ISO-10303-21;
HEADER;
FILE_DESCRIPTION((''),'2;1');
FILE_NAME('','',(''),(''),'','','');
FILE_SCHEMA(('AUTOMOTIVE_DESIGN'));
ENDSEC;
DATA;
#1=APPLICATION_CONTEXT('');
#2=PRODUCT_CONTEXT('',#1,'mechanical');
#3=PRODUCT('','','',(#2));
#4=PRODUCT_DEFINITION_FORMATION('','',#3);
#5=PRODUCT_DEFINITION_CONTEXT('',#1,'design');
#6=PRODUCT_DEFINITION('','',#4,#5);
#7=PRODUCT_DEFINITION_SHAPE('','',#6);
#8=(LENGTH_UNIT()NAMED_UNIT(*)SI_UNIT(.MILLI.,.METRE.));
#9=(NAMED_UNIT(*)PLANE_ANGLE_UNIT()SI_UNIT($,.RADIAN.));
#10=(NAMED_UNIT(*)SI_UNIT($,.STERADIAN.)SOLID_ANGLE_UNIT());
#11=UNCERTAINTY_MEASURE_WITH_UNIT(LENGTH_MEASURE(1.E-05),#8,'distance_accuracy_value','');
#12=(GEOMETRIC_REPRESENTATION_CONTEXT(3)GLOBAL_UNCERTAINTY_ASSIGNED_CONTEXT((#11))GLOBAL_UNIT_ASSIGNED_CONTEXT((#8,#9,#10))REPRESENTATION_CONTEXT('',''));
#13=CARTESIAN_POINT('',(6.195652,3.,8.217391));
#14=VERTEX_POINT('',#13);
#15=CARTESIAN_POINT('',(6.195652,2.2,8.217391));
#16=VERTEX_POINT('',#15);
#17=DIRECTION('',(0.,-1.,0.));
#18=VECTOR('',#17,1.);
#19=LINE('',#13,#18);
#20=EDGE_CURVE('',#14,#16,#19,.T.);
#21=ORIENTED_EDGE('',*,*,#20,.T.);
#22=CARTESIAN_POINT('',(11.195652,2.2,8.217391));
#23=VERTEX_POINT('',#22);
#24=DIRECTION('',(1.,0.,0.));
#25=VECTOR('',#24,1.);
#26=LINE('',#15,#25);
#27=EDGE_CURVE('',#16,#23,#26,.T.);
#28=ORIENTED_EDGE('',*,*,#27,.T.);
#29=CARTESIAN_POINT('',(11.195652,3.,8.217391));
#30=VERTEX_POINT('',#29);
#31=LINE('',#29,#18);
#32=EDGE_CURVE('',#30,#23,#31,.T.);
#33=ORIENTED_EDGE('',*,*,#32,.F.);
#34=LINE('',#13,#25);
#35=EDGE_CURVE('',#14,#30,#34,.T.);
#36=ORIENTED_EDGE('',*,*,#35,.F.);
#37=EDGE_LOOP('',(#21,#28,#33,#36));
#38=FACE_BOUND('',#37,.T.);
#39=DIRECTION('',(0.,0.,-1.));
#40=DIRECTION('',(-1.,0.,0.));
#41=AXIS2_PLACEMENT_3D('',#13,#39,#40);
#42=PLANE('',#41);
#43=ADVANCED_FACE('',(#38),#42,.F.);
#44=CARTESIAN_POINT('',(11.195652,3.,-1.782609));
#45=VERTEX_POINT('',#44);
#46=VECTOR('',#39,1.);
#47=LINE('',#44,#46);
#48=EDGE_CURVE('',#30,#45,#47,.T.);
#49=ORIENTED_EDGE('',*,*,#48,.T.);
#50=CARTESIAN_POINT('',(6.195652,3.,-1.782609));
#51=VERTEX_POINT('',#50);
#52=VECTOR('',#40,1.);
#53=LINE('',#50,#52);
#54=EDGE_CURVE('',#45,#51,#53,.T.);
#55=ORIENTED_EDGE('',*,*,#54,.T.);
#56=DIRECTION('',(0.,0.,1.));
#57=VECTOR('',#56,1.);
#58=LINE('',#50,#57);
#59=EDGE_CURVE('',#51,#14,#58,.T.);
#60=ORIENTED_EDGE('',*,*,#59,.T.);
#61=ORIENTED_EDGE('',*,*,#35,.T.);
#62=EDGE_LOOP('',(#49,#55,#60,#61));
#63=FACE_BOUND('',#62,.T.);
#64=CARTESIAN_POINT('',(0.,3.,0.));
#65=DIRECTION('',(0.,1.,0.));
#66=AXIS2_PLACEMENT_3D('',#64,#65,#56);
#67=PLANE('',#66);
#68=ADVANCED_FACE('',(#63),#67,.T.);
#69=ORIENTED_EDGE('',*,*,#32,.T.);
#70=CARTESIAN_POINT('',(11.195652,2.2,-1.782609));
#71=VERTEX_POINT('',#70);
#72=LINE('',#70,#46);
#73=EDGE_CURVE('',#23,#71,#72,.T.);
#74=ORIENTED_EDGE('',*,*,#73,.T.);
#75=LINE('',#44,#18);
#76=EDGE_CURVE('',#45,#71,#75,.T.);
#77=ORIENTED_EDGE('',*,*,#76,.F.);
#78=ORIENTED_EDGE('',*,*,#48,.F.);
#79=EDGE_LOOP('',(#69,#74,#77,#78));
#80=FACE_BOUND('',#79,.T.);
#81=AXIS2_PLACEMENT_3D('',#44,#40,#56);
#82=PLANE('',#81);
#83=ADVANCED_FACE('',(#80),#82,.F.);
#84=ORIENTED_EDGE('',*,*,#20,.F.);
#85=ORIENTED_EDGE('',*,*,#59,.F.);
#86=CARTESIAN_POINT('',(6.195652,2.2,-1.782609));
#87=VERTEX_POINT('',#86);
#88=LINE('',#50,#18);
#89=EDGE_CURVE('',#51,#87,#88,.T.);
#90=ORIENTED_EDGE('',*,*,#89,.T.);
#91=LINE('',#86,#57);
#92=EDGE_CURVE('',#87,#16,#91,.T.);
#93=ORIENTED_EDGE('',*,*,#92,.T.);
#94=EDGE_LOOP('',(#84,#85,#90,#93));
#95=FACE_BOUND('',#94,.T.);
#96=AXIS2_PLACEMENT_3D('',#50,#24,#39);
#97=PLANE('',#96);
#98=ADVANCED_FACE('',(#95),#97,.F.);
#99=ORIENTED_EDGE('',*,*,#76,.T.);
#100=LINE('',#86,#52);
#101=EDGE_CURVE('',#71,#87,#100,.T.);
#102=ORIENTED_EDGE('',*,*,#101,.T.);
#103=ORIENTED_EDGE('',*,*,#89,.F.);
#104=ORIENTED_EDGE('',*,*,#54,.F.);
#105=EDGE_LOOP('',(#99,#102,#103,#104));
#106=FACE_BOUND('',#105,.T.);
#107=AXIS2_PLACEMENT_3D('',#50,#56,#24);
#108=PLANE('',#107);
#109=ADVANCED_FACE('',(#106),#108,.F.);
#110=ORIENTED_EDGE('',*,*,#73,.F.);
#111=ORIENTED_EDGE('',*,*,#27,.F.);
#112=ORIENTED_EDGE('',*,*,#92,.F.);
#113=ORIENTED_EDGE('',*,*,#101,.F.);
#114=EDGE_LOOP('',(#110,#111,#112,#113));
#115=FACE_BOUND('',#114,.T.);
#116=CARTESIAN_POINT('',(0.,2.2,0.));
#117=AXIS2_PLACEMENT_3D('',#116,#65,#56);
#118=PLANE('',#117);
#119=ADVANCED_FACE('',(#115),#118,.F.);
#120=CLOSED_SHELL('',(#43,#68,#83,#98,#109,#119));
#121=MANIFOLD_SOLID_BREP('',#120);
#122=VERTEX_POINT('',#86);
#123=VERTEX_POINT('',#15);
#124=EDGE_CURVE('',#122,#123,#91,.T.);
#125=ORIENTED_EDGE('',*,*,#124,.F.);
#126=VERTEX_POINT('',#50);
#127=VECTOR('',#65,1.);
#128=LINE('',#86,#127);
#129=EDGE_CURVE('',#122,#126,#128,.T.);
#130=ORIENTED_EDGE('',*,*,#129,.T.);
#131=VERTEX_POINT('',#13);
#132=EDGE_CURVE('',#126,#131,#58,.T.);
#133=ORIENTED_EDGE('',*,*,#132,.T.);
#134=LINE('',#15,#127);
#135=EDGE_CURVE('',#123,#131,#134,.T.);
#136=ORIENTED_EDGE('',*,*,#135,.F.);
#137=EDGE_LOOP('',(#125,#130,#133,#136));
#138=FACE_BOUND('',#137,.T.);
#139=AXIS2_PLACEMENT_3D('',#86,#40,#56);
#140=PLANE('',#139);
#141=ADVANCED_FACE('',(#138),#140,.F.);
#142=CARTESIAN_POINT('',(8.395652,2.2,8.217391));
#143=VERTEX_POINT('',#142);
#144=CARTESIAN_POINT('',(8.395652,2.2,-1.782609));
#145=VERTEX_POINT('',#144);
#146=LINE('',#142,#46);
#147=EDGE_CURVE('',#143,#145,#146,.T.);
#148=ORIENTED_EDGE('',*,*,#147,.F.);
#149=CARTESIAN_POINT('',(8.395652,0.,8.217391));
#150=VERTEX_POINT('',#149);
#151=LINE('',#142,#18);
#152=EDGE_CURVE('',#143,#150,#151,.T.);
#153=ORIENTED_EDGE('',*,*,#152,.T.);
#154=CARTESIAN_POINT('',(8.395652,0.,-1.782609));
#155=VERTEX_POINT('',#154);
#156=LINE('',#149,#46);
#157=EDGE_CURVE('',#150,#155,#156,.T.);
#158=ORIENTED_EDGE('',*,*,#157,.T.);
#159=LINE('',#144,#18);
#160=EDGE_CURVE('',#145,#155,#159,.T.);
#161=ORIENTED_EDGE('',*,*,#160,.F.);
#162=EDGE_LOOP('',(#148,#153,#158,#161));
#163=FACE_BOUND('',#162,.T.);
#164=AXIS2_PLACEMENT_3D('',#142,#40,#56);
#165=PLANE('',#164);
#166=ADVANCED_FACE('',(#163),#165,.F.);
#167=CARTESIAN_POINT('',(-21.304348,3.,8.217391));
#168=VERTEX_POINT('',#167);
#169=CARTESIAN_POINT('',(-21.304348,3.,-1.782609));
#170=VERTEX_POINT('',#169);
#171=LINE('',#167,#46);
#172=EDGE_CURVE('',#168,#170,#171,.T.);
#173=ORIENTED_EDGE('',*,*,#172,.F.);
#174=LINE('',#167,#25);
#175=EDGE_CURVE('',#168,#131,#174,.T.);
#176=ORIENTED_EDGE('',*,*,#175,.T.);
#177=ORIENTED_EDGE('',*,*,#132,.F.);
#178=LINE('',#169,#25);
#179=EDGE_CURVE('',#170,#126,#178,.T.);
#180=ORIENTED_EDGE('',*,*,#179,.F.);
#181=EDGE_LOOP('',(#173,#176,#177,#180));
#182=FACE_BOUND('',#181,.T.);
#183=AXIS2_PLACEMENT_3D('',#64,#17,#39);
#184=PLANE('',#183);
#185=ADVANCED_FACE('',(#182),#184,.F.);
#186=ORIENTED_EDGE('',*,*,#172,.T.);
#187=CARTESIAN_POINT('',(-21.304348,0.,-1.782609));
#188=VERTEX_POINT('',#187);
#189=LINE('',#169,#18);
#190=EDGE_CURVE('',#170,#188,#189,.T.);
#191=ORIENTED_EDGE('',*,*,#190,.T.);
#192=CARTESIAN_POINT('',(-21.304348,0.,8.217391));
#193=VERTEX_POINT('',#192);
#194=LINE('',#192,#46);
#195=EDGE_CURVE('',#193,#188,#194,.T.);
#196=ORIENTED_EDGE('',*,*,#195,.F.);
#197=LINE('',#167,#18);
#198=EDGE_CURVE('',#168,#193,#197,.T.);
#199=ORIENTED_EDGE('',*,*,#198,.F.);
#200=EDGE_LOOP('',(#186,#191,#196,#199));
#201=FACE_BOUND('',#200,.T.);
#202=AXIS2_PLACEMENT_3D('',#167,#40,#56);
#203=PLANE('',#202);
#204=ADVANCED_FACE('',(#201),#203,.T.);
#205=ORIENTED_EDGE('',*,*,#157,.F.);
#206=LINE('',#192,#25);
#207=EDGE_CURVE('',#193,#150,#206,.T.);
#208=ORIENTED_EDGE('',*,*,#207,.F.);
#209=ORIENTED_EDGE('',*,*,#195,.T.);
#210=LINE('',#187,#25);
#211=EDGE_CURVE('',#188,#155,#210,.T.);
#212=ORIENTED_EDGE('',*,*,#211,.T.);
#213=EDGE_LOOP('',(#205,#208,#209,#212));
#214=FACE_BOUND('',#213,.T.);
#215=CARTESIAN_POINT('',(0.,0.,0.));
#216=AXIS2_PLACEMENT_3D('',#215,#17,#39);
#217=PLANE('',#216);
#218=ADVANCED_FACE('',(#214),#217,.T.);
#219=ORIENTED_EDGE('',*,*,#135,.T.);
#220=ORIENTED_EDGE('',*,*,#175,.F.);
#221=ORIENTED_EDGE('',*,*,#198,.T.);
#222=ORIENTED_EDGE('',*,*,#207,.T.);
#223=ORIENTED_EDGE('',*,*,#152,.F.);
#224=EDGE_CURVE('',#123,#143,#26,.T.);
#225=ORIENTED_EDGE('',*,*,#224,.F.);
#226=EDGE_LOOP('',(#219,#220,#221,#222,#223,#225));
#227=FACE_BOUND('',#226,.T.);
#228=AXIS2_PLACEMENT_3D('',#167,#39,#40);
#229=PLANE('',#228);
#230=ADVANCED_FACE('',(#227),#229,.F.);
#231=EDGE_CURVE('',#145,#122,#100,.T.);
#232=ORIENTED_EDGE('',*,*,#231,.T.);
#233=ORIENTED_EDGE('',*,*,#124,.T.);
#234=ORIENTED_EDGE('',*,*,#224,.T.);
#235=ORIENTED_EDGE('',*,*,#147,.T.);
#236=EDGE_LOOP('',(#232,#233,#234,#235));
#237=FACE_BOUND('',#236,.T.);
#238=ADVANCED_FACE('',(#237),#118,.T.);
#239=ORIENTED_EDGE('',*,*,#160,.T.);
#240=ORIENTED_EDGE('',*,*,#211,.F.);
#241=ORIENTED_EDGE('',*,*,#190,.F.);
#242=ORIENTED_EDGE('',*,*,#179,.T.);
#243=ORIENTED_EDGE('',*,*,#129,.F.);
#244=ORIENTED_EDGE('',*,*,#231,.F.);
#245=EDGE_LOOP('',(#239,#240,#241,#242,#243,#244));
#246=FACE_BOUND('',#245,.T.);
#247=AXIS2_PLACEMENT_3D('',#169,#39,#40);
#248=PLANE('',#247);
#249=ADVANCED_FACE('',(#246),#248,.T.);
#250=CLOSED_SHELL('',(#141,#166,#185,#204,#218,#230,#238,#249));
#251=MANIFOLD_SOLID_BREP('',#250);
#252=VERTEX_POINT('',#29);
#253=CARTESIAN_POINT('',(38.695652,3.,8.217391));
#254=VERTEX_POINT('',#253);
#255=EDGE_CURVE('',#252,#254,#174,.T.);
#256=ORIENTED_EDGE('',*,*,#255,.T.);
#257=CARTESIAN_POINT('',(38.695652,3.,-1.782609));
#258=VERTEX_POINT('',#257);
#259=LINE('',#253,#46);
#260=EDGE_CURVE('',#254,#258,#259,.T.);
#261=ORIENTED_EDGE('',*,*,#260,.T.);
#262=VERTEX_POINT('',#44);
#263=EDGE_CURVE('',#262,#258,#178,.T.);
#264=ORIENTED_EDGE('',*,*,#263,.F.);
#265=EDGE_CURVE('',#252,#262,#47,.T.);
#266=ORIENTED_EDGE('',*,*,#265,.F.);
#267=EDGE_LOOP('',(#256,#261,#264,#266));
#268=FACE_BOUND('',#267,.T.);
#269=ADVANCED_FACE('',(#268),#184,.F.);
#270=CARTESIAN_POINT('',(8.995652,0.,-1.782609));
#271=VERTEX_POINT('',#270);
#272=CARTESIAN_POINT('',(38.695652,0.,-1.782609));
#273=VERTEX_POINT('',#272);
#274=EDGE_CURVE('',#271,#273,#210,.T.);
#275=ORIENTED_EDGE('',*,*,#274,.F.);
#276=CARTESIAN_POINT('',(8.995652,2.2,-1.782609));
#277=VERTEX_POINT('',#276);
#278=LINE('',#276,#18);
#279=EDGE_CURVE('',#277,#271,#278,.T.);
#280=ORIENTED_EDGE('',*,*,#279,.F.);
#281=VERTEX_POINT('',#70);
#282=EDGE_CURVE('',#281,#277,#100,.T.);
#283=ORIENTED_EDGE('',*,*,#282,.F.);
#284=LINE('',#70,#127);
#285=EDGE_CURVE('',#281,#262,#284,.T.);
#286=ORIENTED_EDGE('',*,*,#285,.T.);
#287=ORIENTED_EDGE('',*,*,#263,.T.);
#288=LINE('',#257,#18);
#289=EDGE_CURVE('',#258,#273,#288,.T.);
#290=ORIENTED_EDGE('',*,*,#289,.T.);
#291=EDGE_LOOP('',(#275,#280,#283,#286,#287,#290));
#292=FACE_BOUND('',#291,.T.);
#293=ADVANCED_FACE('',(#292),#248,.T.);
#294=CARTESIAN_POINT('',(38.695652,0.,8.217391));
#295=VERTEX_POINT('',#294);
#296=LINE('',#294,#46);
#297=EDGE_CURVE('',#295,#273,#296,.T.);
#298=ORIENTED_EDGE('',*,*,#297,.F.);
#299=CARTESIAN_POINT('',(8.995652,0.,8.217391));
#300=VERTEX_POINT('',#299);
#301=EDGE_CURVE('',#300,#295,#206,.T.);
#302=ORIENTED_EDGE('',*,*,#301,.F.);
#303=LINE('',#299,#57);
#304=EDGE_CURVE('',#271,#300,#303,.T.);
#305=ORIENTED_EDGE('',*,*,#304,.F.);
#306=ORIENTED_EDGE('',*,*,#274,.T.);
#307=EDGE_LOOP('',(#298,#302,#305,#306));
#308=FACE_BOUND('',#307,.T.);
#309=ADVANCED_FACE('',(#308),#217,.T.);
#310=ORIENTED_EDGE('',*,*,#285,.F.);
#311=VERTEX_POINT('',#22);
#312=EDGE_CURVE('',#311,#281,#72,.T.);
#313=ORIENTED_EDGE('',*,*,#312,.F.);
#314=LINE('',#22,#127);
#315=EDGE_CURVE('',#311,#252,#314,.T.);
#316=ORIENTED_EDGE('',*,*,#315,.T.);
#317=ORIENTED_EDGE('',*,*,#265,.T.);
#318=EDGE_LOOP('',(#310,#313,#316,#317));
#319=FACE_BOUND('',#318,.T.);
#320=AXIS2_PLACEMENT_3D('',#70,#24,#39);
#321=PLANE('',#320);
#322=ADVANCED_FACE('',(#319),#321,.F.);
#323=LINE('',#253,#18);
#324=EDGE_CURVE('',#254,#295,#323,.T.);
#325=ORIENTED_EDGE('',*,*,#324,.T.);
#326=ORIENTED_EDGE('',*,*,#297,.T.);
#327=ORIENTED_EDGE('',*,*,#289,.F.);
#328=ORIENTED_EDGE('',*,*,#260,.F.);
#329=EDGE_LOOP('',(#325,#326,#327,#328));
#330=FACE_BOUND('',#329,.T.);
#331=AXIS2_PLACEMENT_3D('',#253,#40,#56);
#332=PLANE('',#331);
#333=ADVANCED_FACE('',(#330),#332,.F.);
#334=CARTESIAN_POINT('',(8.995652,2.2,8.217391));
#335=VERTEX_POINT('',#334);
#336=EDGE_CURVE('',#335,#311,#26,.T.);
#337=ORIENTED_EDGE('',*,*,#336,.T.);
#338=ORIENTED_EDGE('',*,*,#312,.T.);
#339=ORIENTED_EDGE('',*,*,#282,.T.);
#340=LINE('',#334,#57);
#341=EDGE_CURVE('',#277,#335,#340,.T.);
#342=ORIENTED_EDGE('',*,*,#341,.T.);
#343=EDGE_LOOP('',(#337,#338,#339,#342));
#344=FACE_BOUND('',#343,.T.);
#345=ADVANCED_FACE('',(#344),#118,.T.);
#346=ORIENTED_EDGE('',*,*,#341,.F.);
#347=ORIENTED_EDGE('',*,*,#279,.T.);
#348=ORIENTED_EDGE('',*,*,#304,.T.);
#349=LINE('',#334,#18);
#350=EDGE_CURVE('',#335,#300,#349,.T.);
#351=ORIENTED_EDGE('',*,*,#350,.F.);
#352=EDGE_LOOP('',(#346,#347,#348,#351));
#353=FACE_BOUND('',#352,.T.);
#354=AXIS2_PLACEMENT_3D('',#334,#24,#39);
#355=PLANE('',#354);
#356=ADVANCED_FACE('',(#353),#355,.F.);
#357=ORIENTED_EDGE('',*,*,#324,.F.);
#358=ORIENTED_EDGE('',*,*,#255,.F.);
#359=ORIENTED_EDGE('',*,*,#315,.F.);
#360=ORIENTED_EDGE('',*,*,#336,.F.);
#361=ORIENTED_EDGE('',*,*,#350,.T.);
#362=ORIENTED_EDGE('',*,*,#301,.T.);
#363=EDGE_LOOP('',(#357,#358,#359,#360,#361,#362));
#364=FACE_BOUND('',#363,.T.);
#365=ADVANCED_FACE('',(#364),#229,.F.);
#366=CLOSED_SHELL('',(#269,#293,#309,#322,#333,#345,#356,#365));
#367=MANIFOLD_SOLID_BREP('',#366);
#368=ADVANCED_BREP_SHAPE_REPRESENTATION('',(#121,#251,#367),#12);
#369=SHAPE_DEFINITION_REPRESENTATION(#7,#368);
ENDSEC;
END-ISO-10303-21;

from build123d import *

# Parameters (mm, degrees)
SKETCH1_W           = 60
SKETCH1_H           = 10
BOSS_EXTRUDE1_DEPTH = 3
SKETCH3_W           = 0.6
SKETCH3_H           = 10
CUT_EXTRUDE1_DEPTH  = 2.2
SKETCH4_W           = 5
SKETCH4_H           = 10
CUT_EXTRUDE2_DEPTH  = 0.8
SKETCH5_W           = 5
SKETCH5_H           = 10
BOSS_EXTRUDE2_DEPTH = 0.8


with BuildPart() as part:
    # Sketch1 → Boss-Extrude1 (new body)
    with BuildSketch(Plane(origin=(0, 0, 0), x_dir=(1, 0, 0), z_dir=(0, 1, 0))):
        with Locations((8.695652174, -3.217391304)):
            Rectangle(SKETCH1_W, SKETCH1_H)
    extrude(amount=BOSS_EXTRUDE1_DEPTH)

    # Sketch3 → Cut-Extrude1 (cut)
    with BuildSketch(Plane.XZ):
        with Locations((8.695652174, 3.217391304)):
            Rectangle(SKETCH3_W, SKETCH3_H)
    extrude(amount=-CUT_EXTRUDE1_DEPTH, mode=Mode.SUBTRACT)

    # Sketch4 → Cut-Extrude2 (cut)
    with BuildSketch(Plane(origin=(0, 3, 0), x_dir=(1, 0, 0), z_dir=(0, 1, 0))):
        with Locations((8.695652174, -3.217391304)):
            Rectangle(SKETCH4_W, SKETCH4_H)
    extrude(amount=-CUT_EXTRUDE2_DEPTH, mode=Mode.SUBTRACT)


with BuildPart() as cut_extrude2_piece_1:
    # of the separate pieces the step leaves, piece 1, a body of its own (cut_extrude2_pieces)
    add(part.part.solids().sort_by_distance((-21.304347826, 0, 8.217391304))[0])


with BuildPart() as cut_extrude2_piece_2:
    # of the separate pieces the step leaves, piece 2, a body of its own (cut_extrude2_pieces)
    add(part.part.solids().sort_by_distance((8.995652174, 0, 8.217391304))[0])


with BuildPart() as body_3:
    # Sketch5 → Boss-Extrude2 (new body)
    with BuildSketch(Plane(origin=(0, 2.2, 0), x_dir=(1, 0, 0), z_dir=(0, 1, 0))):
        with Locations((8.695652174, -3.217391304)):
            Rectangle(SKETCH5_W, SKETCH5_H)
    extrude(amount=BOSS_EXTRUDE2_DEPTH)


solid = Compound([cut_extrude2_piece_1.part, cut_extrude2_piece_2.part, body_3.part])
